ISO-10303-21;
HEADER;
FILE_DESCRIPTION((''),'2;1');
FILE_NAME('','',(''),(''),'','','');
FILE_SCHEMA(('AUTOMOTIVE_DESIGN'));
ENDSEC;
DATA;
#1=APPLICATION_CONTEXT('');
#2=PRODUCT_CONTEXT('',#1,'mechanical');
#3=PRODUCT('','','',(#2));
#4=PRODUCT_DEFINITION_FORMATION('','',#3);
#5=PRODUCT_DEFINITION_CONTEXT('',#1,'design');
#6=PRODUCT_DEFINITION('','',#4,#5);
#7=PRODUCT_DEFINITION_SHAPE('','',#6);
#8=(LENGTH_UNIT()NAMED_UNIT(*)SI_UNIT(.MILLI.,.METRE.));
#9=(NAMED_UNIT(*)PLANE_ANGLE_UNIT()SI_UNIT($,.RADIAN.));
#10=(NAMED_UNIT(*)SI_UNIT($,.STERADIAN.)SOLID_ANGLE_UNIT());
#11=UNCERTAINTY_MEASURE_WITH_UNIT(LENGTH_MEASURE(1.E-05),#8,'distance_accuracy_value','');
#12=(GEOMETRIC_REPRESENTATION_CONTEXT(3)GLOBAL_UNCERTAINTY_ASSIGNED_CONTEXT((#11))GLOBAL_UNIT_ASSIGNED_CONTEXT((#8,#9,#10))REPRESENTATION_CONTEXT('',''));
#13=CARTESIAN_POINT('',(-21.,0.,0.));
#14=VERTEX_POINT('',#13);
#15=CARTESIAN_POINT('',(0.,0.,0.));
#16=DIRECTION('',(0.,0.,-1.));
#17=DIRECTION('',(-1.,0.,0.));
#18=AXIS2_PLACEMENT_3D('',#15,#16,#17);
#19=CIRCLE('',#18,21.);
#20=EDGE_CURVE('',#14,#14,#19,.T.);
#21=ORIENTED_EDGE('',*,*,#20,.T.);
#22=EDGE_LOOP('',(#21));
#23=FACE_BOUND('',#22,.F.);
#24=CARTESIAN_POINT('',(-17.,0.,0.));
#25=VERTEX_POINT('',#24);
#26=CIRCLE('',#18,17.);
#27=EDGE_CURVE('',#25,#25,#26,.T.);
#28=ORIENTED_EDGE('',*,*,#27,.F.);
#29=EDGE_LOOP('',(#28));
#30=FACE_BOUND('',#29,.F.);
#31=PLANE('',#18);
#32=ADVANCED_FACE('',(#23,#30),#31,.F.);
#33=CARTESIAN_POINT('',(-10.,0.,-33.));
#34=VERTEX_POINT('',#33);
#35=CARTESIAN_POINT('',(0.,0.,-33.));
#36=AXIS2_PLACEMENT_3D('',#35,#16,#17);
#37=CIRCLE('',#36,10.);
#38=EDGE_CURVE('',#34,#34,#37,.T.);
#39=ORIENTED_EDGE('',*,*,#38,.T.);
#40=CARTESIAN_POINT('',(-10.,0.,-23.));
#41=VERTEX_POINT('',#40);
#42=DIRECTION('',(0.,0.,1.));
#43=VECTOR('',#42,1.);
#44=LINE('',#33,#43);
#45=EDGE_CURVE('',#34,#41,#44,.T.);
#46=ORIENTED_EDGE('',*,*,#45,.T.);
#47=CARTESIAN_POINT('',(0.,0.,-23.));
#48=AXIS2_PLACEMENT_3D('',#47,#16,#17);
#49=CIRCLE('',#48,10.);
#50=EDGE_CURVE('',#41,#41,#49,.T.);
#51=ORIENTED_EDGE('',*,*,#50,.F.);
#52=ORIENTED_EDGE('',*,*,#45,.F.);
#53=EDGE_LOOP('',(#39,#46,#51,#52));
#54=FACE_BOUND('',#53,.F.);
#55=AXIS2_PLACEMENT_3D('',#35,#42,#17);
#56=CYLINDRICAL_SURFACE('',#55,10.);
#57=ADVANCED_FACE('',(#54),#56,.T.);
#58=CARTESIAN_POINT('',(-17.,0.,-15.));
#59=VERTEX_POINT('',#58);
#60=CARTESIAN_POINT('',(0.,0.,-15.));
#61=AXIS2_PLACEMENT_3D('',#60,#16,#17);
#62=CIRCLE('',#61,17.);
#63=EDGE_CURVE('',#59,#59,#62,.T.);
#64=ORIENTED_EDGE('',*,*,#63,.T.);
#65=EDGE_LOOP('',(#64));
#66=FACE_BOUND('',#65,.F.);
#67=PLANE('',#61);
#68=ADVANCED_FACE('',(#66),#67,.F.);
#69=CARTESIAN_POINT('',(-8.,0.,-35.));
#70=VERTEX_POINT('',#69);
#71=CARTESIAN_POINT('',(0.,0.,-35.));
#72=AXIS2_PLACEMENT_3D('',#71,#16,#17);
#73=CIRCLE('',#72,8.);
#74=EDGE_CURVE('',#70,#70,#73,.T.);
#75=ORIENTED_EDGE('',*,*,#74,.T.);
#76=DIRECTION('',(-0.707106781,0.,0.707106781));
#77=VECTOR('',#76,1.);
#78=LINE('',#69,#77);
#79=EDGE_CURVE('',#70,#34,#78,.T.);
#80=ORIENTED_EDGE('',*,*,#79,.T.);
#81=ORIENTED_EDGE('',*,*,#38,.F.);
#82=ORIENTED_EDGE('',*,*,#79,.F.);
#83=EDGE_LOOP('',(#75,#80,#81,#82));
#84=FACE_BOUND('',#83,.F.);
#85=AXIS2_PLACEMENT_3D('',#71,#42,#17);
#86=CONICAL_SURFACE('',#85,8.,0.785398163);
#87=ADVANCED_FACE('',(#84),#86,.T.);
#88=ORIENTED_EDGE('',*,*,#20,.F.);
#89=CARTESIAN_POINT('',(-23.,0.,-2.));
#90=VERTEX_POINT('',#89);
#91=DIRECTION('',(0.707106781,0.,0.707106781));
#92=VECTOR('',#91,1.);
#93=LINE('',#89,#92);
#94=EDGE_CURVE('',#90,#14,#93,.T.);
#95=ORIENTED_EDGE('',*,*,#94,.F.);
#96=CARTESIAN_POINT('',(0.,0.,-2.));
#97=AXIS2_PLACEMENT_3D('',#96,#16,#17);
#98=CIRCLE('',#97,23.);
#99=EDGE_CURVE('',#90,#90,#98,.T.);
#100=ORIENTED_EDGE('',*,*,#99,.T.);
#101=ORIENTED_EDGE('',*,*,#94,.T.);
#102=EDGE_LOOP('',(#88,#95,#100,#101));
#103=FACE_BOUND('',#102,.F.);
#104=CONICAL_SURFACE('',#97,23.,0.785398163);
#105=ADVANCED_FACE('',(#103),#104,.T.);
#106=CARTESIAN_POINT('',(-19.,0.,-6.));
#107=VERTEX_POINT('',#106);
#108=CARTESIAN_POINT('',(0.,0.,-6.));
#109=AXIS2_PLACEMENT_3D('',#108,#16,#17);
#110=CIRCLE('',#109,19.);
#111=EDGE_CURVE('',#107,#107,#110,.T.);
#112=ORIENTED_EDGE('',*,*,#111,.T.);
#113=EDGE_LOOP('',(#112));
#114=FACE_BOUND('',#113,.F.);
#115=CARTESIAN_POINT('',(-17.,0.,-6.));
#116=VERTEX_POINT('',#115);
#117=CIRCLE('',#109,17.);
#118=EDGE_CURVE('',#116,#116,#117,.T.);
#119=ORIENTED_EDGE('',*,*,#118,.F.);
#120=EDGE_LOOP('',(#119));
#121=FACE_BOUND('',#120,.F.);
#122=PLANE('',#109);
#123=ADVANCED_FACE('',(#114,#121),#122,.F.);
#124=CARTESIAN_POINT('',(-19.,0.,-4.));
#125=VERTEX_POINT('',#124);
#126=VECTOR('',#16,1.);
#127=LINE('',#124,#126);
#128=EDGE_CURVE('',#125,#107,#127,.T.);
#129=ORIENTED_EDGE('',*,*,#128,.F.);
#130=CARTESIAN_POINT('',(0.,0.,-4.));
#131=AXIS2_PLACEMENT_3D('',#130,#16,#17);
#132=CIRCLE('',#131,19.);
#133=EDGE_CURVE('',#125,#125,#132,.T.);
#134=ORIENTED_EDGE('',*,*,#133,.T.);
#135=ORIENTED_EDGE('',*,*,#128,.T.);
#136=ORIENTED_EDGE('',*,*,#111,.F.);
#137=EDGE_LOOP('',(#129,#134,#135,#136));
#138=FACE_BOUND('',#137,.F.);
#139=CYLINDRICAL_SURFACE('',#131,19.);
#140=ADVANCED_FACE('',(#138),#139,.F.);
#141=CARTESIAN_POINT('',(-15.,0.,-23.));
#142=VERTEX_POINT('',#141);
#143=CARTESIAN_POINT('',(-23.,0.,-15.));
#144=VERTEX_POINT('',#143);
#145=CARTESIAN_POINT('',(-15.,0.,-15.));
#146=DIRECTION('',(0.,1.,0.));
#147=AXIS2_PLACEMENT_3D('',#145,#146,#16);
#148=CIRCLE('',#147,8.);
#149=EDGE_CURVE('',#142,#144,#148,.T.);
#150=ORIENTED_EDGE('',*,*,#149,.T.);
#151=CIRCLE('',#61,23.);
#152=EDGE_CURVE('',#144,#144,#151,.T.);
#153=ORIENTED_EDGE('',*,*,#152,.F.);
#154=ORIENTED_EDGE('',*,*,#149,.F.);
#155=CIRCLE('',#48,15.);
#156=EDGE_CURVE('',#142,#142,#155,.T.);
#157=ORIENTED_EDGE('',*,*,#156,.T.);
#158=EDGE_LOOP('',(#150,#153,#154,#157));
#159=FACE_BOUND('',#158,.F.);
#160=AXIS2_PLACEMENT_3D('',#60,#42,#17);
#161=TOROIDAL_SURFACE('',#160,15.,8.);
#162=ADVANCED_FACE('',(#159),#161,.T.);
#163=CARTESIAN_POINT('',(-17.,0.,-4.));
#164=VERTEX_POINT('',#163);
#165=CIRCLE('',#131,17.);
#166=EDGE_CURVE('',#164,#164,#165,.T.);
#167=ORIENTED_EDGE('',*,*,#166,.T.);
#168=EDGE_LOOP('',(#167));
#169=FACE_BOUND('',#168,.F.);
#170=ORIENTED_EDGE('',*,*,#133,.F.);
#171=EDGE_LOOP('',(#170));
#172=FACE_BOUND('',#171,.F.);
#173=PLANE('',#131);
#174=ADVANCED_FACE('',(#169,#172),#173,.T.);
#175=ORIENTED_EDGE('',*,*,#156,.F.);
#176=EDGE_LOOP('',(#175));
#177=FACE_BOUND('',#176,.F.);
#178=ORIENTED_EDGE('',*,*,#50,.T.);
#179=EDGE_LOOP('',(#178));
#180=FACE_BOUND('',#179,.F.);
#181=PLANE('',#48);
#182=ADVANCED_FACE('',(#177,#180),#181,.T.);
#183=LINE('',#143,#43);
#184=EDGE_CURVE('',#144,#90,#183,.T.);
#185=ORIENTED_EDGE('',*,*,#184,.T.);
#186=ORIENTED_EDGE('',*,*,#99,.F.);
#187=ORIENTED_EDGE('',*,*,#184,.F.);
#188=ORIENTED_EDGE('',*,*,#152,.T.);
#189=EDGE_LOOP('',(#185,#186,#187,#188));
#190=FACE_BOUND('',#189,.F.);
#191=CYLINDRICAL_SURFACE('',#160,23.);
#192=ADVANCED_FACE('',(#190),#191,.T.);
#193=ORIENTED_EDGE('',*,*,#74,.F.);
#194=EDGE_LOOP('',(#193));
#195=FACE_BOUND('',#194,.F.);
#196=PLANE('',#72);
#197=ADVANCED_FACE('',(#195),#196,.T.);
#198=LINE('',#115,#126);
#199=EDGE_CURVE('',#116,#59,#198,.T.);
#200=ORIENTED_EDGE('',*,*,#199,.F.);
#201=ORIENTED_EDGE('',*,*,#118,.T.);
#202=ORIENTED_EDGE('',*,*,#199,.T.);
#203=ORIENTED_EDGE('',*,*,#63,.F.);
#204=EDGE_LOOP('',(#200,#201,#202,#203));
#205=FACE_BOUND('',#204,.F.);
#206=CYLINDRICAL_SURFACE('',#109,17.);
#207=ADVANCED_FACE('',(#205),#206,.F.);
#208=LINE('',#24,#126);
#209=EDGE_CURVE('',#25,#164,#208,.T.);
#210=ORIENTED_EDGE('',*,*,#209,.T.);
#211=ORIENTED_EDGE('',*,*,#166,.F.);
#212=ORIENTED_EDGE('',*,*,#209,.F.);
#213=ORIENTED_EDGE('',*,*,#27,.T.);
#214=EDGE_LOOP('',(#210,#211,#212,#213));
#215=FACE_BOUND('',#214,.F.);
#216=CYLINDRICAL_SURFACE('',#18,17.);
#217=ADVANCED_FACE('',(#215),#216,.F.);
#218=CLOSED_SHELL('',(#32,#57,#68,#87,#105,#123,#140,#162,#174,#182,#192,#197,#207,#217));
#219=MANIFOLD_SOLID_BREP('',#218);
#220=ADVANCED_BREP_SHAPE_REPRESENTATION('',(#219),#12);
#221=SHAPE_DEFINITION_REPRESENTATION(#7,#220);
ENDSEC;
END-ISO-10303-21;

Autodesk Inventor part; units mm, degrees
ref_plane "YZ Plane" through (0, 0, 0) normal (1, 0, 0) x (0, 1, 0)
ref_plane "XZ Plane" through (0, 0, 0) normal (0, 1, 0) x (-1, 0, 0)
ref_plane "XY Plane" through (0, 0, 0) normal (0, 0, 1) x (1, 0, 0)
sketch "Boceto1" plane through (0, 0, 0) normal (0, 1, 0) x (-1, 0, 0)
  line L0 (0, 0) -> (17, 0) construction
  line L1 (17, -15) -> (0, -15)
  line L2 (0, -15) -> (0, -35)
  line L3 (0, -35) -> (8, -35)
  line L4 (10, -33) -> (10, -23)
  line L5 (10, -23) -> (15, -23)
  line L6 (23, -15) -> (23, -2)
  line L7 (8, -35) -> (10, -33)
  arc A0 (15, -23) -> (23, -15) centre (15, -15) ccw
  line L8 (21, 0) -> (17, 0)
  line L9 (23, -2) -> (21, 0)
  line L10 (17, 0) -> (17, -4) construction
  line L11 (17, -4) -> (19, -4)
  line L12 (19, -4) -> (19, -6)
  line L13 (19, -6) -> (17, -6)
  line L14 (17, 0) -> (17, -4)
  line L15 (17, -6) -> (17, -15)
  point P0 (10, -35)
  point P1 (23, 0)
  point P2 (23, 0)
  dimension "d2" = 17
  dimension "d4" = 2
  dimension "d5" = 45
  dimension "d11" = 8
  dimension "d13" = 23
  dimension "d14" = 10
  dimension "d15" = 10
  dimension "d17" = 15
  dimension "d18" = 2
  dimension "d19" = 45
  dimension "d20" = 35
  dimension "d21" = 4
  dimension "d22" = 2
  dimension "d23" = 2
  dimension "d24" = 9
revolve "Revolución1" add sketch "Boceto1" angle 360 about axis through (0, 0, -15) along (0, 0, -1)
equation "\"Radio_pliegue\" = Grosor"
equation "\"Anchura_desahogo_plegado\" = Grosor"
equation "\"Profundidad_desahogo_plegado\" = 0.5 * Grosor"
equation "\"Tamaño_destalonado\" = 4 * Grosor"
equation "\"Remanente_mínimo\" = 2 * Grosor"
equation "\"Radiodetransición\" = Radio_pliegue"
equation "\"Tamaño_de_radio_de_Jacobi\" = Radio_pliegue"
equation "\"TamañoSeparación\" = Grosor"
equation "\"Grosor\" = 0.5"
properties part number "Practica 5"
